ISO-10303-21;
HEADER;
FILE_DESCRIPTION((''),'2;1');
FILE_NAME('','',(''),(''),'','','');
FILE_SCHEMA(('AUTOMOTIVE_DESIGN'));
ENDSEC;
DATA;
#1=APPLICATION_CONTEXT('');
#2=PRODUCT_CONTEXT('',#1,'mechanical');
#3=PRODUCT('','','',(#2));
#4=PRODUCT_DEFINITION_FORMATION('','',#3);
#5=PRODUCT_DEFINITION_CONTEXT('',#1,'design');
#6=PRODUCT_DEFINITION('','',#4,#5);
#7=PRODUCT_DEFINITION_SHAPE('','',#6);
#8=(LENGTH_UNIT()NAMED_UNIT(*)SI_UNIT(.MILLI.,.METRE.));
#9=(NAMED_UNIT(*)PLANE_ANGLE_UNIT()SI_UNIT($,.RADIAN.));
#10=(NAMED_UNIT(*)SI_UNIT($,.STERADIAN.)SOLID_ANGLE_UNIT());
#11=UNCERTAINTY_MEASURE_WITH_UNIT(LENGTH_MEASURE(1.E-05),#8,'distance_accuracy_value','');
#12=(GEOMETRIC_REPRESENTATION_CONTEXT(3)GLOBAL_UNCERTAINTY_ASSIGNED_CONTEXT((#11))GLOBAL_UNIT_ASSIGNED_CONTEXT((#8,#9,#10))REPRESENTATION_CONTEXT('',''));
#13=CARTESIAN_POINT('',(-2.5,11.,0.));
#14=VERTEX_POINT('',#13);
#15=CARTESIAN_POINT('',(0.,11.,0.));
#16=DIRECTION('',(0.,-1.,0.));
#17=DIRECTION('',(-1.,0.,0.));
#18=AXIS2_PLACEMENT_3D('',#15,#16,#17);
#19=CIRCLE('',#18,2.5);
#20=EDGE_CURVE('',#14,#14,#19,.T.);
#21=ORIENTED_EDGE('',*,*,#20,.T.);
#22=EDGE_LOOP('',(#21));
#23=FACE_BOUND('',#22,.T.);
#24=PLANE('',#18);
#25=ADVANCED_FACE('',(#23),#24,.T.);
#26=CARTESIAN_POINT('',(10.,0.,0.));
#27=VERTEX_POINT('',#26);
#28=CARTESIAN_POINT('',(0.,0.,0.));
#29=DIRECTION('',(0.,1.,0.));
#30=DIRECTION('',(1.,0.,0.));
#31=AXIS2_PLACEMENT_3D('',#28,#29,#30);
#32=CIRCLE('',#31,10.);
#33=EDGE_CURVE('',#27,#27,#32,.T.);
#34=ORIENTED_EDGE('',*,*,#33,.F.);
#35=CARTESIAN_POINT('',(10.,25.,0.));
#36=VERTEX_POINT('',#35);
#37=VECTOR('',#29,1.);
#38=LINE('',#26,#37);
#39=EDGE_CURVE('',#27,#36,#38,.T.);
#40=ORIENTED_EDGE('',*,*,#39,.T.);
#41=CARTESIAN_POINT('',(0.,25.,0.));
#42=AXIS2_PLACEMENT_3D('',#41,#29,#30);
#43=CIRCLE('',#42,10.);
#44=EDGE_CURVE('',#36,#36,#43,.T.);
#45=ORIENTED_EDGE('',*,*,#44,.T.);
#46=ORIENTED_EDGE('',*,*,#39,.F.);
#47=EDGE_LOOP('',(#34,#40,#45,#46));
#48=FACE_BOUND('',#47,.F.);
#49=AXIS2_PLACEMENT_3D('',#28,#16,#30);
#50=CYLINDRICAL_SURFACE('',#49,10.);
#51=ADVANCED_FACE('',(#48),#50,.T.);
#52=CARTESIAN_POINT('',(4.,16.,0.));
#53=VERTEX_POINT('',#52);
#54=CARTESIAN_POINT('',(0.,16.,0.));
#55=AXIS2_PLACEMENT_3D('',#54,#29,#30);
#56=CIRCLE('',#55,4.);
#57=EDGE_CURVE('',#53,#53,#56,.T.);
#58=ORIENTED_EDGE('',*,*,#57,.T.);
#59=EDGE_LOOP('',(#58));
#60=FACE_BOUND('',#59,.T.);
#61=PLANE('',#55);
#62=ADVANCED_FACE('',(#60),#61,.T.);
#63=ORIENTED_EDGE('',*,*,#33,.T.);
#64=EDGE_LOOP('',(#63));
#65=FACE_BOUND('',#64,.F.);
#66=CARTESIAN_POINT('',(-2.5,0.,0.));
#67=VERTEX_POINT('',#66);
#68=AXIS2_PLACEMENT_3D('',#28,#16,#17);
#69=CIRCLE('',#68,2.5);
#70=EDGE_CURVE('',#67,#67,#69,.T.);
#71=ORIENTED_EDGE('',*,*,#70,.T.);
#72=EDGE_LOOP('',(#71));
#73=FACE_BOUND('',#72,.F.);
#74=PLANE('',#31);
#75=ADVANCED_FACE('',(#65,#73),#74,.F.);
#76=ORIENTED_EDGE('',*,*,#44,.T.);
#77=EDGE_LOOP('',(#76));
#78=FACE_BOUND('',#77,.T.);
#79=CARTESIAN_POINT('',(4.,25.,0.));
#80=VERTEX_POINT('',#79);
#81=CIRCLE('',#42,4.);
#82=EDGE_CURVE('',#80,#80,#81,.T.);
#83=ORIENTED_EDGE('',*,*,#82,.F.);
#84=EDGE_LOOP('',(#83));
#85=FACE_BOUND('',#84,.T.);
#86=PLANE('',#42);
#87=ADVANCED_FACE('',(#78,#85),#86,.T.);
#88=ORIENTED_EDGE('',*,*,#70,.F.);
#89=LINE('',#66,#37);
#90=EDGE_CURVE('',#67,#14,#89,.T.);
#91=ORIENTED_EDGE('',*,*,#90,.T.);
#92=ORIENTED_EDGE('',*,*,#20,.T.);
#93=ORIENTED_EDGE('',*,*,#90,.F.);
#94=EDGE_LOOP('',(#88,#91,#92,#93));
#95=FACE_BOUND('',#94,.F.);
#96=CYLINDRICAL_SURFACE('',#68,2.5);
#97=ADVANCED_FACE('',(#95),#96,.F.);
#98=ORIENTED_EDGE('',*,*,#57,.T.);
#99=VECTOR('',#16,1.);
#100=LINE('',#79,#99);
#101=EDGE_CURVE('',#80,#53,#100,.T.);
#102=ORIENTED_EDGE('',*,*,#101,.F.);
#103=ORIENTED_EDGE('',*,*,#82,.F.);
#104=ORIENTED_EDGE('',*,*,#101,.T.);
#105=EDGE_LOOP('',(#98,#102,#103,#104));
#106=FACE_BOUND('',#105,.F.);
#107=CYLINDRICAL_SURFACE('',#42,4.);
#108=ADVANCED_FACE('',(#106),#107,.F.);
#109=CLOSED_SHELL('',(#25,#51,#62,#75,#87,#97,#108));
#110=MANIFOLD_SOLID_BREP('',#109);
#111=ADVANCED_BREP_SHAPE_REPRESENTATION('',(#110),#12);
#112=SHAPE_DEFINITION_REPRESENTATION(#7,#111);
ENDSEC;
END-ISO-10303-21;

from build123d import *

# Parameters (mm, degrees)
SKETCH1_R           = 10
BOSS_EXTRUDE1_DEPTH = 25
SKETCH2_R           = 4
CUT_EXTRUDE1_DEPTH  = 9
SKETCH3_R           = 2.5
CUT_EXTRUDE2_DEPTH  = 11


with BuildPart() as part:
    # Sketch1 → Boss-Extrude1 (new body)
    with BuildSketch(Plane(origin=(0, 0, 0), x_dir=(1, 0, 0), z_dir=(0, 1, 0))):
        Circle(SKETCH1_R)
    extrude(amount=BOSS_EXTRUDE1_DEPTH)

    # Sketch2 → Cut-Extrude1 (cut)
    with BuildSketch(Plane(origin=(0, 25, 0), x_dir=(1, 0, 0), z_dir=(0, 1, 0))):
        Circle(SKETCH2_R)
    extrude(amount=-CUT_EXTRUDE1_DEPTH, mode=Mode.SUBTRACT)

    # Sketch3 → Cut-Extrude2 (cut)
    with BuildSketch(Plane(origin=(0, 0, 0), x_dir=(-1, 0, 0), z_dir=(0, -1, 0))):
        Circle(SKETCH3_R)
    extrude(amount=-CUT_EXTRUDE2_DEPTH, mode=Mode.SUBTRACT)


solid = part.part
